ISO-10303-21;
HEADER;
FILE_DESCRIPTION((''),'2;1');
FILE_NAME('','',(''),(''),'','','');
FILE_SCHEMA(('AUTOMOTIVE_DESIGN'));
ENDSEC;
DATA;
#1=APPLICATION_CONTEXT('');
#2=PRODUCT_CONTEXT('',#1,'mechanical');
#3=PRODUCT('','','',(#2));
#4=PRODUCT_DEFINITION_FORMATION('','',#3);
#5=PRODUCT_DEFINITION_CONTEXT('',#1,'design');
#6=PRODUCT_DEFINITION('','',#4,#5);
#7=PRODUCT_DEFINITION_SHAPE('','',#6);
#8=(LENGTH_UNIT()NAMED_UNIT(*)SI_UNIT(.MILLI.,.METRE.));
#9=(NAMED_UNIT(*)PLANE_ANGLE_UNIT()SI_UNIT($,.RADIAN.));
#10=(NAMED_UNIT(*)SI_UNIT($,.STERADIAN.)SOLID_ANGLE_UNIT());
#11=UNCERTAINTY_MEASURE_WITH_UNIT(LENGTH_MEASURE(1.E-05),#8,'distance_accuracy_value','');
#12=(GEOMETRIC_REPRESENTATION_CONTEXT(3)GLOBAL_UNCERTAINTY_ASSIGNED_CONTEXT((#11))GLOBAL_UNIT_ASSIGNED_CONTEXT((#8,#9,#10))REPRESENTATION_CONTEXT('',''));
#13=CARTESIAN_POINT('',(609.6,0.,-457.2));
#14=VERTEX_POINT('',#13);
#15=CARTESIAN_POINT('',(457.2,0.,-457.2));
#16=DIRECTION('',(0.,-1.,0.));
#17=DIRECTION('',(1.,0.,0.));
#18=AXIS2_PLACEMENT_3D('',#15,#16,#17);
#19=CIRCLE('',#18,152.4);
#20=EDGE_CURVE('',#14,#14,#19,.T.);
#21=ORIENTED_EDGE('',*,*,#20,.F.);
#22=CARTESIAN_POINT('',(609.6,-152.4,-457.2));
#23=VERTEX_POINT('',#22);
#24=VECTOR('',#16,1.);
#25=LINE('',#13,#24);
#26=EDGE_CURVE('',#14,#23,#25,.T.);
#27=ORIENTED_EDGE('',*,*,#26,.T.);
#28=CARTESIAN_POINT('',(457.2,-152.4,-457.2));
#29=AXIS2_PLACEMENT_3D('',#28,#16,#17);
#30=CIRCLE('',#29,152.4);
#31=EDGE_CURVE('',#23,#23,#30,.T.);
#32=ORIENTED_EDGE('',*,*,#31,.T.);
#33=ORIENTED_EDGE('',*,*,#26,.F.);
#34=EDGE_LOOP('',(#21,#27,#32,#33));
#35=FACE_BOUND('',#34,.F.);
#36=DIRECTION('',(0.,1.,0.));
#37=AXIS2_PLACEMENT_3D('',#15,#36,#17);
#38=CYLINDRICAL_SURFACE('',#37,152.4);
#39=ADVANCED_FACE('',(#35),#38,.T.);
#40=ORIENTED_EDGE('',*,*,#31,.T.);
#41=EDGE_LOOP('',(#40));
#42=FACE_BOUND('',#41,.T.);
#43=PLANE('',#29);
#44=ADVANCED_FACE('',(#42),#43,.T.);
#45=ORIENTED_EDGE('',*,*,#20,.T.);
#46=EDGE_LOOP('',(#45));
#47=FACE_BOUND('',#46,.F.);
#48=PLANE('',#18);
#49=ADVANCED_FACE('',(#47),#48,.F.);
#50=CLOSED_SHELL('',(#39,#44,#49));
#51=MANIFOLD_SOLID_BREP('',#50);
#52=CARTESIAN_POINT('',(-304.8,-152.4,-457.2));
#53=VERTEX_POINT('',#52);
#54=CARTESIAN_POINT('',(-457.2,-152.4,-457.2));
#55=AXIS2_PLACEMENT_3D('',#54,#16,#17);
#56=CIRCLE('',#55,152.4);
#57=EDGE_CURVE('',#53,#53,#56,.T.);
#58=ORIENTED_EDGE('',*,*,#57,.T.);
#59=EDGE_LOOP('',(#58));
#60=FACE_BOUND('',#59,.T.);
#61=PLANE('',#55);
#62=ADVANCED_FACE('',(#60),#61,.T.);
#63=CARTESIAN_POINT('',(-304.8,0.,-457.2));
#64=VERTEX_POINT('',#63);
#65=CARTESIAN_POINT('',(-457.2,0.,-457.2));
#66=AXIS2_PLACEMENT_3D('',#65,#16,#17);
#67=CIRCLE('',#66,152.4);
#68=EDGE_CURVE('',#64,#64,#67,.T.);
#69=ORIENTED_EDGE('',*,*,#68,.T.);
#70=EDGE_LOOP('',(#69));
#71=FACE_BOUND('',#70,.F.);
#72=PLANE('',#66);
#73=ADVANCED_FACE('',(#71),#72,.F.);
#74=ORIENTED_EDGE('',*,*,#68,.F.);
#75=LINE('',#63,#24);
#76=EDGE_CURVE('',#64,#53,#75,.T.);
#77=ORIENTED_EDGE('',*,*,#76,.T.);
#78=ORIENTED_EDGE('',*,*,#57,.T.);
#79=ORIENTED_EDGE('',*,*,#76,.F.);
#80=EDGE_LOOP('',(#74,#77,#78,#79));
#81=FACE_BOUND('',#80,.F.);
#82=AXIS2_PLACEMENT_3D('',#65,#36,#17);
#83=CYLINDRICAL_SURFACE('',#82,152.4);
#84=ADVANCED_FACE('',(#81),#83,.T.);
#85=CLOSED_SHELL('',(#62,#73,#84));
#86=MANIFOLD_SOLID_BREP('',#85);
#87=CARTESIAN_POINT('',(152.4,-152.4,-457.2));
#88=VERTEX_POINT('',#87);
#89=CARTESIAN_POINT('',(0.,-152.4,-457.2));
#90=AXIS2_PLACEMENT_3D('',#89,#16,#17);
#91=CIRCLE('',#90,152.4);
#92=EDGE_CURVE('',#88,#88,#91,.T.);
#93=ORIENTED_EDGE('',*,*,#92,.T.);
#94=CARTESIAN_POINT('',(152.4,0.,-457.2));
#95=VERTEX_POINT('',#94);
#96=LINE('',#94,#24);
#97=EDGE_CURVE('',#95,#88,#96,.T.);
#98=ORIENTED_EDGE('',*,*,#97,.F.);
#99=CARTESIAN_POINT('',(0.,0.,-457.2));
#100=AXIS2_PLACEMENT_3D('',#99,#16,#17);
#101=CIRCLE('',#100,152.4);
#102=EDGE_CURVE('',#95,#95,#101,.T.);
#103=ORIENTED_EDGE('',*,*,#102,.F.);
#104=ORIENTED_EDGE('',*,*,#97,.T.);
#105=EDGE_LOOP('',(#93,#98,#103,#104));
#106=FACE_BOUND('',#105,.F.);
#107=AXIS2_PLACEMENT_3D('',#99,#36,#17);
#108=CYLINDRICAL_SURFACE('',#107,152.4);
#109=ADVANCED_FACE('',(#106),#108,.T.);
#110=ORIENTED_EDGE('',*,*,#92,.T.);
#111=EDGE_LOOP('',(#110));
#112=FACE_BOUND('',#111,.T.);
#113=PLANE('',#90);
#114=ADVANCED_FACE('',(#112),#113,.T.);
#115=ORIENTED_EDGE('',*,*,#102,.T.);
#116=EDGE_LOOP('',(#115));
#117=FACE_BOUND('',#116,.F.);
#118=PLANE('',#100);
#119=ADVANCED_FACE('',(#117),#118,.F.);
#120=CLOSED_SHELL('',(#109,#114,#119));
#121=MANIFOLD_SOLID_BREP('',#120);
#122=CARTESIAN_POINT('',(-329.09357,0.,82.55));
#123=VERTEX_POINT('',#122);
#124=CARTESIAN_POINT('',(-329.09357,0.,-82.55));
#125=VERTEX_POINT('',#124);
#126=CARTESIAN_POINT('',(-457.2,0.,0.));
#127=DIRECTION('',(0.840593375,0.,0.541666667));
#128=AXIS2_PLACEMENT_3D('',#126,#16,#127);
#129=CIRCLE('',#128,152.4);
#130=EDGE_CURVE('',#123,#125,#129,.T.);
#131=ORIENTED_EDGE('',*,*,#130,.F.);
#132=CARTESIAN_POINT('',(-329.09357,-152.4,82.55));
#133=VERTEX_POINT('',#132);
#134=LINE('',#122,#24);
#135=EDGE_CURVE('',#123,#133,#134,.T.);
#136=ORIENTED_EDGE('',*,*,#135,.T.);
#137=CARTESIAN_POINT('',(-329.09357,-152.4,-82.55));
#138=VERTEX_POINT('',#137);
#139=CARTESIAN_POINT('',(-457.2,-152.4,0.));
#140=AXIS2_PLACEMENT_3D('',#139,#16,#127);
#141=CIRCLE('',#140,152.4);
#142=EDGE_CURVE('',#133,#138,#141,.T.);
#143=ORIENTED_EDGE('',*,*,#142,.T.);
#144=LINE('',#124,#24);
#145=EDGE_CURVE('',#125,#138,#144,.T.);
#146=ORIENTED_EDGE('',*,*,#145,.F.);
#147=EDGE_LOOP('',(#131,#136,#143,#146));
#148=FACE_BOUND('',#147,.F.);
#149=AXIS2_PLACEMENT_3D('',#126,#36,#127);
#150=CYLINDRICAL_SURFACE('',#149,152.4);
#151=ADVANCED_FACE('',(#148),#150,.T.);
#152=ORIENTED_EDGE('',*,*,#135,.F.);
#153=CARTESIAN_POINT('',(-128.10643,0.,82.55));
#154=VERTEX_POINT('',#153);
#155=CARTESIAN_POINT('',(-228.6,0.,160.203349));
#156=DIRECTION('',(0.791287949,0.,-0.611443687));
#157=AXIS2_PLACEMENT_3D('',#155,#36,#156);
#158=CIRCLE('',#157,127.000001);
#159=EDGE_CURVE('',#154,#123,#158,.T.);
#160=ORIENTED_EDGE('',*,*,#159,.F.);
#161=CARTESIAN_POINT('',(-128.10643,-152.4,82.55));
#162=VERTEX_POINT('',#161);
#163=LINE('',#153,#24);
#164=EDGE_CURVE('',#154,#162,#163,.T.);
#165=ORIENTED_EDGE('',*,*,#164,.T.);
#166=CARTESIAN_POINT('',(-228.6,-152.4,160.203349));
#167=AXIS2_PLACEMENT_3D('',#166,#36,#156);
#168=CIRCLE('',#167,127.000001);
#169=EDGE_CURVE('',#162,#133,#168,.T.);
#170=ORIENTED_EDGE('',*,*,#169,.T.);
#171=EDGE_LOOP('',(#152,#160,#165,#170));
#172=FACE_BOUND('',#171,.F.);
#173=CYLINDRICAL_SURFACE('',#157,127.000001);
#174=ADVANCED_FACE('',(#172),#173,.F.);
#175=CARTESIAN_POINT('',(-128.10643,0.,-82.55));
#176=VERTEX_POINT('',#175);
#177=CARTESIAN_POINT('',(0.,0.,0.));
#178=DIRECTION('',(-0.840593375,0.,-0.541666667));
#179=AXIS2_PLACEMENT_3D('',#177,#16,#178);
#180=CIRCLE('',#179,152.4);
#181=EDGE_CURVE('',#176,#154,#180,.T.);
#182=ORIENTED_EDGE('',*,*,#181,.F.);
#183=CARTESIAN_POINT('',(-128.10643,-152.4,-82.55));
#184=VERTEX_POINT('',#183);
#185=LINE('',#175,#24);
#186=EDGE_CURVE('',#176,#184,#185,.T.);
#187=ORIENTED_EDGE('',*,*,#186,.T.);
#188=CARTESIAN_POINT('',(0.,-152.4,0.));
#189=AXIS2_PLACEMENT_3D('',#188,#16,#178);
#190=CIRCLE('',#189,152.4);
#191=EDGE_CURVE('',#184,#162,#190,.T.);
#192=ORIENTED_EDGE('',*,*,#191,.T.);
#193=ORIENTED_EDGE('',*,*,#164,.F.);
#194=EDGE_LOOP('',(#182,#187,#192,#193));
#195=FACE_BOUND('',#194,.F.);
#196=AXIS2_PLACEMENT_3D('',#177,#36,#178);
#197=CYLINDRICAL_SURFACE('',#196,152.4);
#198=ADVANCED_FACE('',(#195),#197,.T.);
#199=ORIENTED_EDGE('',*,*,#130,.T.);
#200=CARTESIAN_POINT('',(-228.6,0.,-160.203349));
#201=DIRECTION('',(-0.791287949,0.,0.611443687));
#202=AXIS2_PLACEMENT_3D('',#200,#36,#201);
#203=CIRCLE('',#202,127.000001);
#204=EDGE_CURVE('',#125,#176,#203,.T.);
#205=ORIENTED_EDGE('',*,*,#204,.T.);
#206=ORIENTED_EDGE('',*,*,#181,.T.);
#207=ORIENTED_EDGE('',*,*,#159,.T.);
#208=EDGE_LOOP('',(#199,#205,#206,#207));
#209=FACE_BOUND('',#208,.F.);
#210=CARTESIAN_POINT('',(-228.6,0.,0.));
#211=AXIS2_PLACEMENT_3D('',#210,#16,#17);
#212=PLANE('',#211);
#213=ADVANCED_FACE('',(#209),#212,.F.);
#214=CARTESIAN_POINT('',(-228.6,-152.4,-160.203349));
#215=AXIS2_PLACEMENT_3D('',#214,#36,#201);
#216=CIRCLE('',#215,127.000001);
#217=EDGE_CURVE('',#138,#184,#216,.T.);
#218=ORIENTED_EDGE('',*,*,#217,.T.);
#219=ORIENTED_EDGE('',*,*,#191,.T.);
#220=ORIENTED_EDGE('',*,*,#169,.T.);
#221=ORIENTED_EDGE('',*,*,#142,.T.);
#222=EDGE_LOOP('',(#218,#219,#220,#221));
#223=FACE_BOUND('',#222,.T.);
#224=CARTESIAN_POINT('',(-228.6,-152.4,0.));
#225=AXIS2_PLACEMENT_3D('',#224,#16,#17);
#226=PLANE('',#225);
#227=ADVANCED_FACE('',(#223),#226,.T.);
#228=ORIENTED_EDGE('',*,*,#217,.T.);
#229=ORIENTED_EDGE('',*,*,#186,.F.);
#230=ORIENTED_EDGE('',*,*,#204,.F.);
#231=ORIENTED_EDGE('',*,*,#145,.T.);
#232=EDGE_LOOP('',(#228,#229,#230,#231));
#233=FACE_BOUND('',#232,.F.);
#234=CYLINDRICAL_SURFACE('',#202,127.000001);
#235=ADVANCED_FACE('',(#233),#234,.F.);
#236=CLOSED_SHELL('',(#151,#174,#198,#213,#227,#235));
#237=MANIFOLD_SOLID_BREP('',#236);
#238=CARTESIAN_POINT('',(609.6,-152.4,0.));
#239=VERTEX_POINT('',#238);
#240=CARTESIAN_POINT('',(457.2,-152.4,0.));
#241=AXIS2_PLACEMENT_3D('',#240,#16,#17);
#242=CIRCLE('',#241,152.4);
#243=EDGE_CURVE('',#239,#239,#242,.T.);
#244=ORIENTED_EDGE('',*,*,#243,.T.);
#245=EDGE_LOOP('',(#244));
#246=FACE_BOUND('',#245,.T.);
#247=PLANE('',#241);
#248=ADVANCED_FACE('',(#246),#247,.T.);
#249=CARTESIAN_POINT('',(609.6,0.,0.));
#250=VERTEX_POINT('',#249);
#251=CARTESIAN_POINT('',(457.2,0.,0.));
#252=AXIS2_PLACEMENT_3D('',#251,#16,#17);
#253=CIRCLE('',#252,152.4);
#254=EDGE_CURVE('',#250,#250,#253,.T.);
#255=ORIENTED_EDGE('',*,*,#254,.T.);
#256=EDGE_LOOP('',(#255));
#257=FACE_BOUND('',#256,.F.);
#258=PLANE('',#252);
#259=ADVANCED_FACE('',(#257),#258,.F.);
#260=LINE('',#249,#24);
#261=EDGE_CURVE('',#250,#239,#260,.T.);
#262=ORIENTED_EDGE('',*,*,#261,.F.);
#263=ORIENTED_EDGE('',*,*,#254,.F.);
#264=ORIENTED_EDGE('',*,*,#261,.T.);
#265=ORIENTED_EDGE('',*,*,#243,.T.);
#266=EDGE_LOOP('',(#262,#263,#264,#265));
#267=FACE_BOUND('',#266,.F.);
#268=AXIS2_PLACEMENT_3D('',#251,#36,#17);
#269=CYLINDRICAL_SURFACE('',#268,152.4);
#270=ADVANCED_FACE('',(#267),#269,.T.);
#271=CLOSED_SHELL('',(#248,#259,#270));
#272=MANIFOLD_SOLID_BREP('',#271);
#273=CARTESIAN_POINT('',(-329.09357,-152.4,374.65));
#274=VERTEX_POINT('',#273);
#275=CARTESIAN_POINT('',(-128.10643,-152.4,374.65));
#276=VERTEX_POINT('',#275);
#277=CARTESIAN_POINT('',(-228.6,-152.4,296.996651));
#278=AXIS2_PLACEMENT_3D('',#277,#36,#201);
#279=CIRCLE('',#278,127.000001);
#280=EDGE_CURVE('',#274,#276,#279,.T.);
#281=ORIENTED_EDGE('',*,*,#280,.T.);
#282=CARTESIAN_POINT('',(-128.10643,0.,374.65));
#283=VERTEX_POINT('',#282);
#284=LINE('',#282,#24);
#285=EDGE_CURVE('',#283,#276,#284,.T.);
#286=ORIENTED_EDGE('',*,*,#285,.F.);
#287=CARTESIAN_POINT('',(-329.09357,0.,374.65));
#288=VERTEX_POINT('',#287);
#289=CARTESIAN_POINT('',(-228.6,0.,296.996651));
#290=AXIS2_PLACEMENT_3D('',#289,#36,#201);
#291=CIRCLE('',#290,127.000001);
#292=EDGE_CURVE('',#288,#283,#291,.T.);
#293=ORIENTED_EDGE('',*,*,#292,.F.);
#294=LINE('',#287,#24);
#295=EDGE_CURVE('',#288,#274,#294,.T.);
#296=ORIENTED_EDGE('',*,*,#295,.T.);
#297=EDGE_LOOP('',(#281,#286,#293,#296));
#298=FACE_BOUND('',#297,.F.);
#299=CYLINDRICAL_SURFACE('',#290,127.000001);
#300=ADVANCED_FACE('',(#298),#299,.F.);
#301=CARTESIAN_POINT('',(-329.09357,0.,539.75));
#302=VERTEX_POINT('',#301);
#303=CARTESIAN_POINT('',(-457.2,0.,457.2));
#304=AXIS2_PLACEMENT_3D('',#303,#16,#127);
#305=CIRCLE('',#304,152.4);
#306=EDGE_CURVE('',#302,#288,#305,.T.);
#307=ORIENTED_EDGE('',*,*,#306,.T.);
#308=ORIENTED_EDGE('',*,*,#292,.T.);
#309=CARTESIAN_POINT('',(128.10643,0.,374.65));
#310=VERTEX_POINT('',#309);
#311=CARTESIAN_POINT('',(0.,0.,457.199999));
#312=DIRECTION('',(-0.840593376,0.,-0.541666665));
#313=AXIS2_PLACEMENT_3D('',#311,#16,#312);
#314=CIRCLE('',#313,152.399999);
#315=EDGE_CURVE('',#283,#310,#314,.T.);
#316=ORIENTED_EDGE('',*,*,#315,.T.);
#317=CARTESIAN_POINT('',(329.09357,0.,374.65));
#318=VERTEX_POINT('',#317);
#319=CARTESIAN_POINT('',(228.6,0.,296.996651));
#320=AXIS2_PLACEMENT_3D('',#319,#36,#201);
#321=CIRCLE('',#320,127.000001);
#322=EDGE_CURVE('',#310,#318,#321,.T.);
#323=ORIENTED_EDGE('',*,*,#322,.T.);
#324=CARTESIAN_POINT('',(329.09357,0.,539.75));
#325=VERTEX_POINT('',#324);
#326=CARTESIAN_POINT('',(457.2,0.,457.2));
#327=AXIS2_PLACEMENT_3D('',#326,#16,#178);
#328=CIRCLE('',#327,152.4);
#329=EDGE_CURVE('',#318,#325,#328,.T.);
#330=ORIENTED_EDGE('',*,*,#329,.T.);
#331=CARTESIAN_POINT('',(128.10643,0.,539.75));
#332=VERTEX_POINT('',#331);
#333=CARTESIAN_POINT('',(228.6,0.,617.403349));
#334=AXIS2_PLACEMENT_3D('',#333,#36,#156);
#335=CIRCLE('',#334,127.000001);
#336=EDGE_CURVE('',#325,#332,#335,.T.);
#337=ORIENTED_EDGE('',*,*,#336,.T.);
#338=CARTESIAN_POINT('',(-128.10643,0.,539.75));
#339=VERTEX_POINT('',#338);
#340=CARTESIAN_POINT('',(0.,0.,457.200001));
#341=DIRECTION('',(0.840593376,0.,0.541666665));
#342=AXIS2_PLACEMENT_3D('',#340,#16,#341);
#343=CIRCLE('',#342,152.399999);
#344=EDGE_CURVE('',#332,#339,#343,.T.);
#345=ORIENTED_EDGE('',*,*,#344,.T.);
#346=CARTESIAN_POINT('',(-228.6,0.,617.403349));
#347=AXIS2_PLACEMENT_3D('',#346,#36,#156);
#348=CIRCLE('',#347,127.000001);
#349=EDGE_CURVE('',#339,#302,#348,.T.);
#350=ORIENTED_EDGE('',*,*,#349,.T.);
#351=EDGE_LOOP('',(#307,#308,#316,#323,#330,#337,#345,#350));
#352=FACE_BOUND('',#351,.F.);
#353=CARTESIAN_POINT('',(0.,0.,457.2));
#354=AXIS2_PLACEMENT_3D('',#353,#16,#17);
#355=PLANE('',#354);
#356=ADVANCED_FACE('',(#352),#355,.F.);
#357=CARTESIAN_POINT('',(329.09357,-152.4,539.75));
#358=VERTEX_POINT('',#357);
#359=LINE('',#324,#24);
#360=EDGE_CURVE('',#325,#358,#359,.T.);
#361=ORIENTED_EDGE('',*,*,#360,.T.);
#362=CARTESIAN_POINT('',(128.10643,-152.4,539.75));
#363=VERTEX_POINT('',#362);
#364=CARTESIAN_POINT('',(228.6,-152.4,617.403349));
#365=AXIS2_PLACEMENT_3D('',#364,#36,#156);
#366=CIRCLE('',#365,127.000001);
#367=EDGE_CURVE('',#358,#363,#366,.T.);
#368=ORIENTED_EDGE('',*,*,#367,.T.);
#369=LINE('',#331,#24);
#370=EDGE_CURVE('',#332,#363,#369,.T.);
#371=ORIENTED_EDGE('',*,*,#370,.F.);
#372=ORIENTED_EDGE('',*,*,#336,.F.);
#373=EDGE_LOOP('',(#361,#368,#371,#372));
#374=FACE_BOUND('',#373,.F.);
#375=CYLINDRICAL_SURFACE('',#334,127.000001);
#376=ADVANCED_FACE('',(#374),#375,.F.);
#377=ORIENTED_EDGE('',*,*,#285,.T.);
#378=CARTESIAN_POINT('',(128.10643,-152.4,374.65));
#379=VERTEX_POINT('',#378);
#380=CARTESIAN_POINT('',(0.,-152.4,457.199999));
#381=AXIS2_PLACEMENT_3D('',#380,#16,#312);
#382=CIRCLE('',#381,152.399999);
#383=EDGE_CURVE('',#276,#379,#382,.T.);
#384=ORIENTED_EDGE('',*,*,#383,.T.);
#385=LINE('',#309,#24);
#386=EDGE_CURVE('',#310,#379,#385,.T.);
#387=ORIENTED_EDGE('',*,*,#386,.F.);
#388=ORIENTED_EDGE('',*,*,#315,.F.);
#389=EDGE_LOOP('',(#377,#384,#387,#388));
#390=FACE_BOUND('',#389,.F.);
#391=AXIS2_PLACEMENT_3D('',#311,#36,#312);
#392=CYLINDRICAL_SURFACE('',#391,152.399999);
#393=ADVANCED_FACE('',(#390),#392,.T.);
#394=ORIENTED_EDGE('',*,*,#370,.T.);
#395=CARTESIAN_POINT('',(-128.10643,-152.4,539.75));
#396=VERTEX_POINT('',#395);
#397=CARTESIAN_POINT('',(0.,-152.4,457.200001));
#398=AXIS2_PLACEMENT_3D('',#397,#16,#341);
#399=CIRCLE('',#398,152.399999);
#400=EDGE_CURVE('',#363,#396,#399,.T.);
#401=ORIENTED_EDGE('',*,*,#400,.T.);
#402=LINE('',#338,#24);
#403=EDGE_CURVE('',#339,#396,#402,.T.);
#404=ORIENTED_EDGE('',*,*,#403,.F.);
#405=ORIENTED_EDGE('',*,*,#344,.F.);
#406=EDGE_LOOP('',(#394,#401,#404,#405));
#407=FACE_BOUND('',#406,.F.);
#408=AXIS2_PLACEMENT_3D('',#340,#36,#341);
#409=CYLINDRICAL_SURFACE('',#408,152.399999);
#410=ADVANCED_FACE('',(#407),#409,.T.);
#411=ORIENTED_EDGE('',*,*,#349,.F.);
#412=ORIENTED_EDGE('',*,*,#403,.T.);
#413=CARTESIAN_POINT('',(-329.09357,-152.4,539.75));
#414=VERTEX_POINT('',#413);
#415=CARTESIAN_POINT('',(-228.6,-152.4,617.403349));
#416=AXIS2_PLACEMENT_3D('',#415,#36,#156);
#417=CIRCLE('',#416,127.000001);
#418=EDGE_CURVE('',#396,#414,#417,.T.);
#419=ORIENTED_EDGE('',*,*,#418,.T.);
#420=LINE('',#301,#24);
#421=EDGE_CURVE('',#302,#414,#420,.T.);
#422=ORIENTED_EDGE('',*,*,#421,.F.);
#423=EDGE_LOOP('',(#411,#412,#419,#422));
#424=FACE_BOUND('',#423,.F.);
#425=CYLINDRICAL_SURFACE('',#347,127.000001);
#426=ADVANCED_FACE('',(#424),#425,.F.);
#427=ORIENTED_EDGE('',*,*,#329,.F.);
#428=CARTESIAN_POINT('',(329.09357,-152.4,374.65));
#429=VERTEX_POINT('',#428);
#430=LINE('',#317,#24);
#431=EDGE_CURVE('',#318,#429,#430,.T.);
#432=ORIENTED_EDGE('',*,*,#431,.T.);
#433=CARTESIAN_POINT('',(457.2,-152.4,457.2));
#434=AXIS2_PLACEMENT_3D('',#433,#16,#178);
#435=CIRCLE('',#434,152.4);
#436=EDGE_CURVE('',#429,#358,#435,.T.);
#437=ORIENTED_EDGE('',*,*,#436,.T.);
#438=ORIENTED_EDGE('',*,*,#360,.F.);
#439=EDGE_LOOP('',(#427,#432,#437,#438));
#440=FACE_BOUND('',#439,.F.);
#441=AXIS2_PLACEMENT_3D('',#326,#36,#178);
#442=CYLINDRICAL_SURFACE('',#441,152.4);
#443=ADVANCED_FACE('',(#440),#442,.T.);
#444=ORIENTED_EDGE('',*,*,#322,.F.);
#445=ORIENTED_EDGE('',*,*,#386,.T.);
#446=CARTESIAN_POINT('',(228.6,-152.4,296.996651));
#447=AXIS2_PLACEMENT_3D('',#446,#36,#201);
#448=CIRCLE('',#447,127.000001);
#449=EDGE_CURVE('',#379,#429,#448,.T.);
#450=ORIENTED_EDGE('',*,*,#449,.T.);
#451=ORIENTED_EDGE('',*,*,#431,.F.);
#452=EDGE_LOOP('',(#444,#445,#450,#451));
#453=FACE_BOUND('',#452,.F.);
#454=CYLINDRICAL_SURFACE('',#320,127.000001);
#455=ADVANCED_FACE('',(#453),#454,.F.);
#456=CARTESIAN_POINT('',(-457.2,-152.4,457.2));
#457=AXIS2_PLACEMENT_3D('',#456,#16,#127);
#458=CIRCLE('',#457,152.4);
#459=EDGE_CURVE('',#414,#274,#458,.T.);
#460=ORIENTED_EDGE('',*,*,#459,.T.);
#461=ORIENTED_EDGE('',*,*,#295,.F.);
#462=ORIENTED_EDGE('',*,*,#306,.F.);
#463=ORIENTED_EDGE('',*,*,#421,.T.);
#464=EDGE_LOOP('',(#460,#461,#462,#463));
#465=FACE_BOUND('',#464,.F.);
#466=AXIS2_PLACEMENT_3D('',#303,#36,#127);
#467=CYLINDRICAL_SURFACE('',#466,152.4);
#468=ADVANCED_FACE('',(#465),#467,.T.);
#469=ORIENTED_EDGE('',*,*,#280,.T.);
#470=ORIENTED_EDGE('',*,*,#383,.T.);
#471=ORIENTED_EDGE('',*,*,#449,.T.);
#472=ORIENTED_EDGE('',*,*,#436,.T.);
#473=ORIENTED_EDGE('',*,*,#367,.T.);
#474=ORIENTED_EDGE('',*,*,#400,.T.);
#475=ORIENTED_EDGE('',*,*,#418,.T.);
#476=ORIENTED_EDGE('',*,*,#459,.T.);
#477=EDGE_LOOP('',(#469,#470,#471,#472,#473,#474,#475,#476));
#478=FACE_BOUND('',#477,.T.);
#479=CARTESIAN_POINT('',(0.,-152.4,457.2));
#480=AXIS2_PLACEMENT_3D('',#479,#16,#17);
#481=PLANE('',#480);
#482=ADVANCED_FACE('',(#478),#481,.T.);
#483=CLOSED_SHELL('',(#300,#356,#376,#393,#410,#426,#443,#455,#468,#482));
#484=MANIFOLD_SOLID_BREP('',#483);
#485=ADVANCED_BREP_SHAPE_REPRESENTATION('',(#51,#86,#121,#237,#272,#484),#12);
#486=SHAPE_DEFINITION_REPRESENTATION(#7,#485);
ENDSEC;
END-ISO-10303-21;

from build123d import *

# Parameters (mm, degrees)
F0_R     = 152.4
F1_DEPTH = 152.4


with BuildPart() as f1:
    # F0 (on Front) → F1 (new body)
    with BuildSketch(Plane.XZ):
        with BuildLine():
            ThreePointArc((-128.10643, 539.75), (-228.6, 490.403348), (-329.09357, 539.75))
            ThreePointArc((-329.09357, 539.75), (-609.6, 457.2), (-329.09357, 374.65))
            ThreePointArc((-329.09357, 374.65), (-228.6, 423.996652), (-128.10643, 374.65))
            ThreePointArc((-128.10643, 374.65), (0, 304.8), (128.10643, 374.65))
            ThreePointArc((128.10643, 374.65), (228.6, 423.996652), (329.09357, 374.65))
            ThreePointArc((329.09357, 374.65), (609.6, 457.2), (329.09357, 539.75))
            ThreePointArc((329.09357, 539.75), (228.6, 490.403348), (128.10643, 539.75))
            ThreePointArc((128.10643, 539.75), (0, 609.6), (-128.10643, 539.75))
        make_face()
        with BuildLine():
            ThreePointArc((-329.09357, -82.55), (-228.6, -33.203348), (-128.10643, -82.55))
            ThreePointArc((-128.10643, -82.55), (152.4, 0), (-128.10643, 82.55))
            ThreePointArc((-128.10643, 82.55), (-228.6, 33.203348), (-329.09357, 82.55))
            ThreePointArc((-329.09357, 82.55), (-609.6, 0), (-329.09357, -82.55))
        make_face()
        with Locations((457.2, 0)):
            Circle(F0_R)
        with Locations((457.2, -457.2)):
            Circle(F0_R)
        with Locations((0, -457.2)):
            Circle(F0_R)
        with Locations((-457.2, -457.2)):
            Circle(F0_R)
    extrude(amount=F1_DEPTH)


solid = f1.part
